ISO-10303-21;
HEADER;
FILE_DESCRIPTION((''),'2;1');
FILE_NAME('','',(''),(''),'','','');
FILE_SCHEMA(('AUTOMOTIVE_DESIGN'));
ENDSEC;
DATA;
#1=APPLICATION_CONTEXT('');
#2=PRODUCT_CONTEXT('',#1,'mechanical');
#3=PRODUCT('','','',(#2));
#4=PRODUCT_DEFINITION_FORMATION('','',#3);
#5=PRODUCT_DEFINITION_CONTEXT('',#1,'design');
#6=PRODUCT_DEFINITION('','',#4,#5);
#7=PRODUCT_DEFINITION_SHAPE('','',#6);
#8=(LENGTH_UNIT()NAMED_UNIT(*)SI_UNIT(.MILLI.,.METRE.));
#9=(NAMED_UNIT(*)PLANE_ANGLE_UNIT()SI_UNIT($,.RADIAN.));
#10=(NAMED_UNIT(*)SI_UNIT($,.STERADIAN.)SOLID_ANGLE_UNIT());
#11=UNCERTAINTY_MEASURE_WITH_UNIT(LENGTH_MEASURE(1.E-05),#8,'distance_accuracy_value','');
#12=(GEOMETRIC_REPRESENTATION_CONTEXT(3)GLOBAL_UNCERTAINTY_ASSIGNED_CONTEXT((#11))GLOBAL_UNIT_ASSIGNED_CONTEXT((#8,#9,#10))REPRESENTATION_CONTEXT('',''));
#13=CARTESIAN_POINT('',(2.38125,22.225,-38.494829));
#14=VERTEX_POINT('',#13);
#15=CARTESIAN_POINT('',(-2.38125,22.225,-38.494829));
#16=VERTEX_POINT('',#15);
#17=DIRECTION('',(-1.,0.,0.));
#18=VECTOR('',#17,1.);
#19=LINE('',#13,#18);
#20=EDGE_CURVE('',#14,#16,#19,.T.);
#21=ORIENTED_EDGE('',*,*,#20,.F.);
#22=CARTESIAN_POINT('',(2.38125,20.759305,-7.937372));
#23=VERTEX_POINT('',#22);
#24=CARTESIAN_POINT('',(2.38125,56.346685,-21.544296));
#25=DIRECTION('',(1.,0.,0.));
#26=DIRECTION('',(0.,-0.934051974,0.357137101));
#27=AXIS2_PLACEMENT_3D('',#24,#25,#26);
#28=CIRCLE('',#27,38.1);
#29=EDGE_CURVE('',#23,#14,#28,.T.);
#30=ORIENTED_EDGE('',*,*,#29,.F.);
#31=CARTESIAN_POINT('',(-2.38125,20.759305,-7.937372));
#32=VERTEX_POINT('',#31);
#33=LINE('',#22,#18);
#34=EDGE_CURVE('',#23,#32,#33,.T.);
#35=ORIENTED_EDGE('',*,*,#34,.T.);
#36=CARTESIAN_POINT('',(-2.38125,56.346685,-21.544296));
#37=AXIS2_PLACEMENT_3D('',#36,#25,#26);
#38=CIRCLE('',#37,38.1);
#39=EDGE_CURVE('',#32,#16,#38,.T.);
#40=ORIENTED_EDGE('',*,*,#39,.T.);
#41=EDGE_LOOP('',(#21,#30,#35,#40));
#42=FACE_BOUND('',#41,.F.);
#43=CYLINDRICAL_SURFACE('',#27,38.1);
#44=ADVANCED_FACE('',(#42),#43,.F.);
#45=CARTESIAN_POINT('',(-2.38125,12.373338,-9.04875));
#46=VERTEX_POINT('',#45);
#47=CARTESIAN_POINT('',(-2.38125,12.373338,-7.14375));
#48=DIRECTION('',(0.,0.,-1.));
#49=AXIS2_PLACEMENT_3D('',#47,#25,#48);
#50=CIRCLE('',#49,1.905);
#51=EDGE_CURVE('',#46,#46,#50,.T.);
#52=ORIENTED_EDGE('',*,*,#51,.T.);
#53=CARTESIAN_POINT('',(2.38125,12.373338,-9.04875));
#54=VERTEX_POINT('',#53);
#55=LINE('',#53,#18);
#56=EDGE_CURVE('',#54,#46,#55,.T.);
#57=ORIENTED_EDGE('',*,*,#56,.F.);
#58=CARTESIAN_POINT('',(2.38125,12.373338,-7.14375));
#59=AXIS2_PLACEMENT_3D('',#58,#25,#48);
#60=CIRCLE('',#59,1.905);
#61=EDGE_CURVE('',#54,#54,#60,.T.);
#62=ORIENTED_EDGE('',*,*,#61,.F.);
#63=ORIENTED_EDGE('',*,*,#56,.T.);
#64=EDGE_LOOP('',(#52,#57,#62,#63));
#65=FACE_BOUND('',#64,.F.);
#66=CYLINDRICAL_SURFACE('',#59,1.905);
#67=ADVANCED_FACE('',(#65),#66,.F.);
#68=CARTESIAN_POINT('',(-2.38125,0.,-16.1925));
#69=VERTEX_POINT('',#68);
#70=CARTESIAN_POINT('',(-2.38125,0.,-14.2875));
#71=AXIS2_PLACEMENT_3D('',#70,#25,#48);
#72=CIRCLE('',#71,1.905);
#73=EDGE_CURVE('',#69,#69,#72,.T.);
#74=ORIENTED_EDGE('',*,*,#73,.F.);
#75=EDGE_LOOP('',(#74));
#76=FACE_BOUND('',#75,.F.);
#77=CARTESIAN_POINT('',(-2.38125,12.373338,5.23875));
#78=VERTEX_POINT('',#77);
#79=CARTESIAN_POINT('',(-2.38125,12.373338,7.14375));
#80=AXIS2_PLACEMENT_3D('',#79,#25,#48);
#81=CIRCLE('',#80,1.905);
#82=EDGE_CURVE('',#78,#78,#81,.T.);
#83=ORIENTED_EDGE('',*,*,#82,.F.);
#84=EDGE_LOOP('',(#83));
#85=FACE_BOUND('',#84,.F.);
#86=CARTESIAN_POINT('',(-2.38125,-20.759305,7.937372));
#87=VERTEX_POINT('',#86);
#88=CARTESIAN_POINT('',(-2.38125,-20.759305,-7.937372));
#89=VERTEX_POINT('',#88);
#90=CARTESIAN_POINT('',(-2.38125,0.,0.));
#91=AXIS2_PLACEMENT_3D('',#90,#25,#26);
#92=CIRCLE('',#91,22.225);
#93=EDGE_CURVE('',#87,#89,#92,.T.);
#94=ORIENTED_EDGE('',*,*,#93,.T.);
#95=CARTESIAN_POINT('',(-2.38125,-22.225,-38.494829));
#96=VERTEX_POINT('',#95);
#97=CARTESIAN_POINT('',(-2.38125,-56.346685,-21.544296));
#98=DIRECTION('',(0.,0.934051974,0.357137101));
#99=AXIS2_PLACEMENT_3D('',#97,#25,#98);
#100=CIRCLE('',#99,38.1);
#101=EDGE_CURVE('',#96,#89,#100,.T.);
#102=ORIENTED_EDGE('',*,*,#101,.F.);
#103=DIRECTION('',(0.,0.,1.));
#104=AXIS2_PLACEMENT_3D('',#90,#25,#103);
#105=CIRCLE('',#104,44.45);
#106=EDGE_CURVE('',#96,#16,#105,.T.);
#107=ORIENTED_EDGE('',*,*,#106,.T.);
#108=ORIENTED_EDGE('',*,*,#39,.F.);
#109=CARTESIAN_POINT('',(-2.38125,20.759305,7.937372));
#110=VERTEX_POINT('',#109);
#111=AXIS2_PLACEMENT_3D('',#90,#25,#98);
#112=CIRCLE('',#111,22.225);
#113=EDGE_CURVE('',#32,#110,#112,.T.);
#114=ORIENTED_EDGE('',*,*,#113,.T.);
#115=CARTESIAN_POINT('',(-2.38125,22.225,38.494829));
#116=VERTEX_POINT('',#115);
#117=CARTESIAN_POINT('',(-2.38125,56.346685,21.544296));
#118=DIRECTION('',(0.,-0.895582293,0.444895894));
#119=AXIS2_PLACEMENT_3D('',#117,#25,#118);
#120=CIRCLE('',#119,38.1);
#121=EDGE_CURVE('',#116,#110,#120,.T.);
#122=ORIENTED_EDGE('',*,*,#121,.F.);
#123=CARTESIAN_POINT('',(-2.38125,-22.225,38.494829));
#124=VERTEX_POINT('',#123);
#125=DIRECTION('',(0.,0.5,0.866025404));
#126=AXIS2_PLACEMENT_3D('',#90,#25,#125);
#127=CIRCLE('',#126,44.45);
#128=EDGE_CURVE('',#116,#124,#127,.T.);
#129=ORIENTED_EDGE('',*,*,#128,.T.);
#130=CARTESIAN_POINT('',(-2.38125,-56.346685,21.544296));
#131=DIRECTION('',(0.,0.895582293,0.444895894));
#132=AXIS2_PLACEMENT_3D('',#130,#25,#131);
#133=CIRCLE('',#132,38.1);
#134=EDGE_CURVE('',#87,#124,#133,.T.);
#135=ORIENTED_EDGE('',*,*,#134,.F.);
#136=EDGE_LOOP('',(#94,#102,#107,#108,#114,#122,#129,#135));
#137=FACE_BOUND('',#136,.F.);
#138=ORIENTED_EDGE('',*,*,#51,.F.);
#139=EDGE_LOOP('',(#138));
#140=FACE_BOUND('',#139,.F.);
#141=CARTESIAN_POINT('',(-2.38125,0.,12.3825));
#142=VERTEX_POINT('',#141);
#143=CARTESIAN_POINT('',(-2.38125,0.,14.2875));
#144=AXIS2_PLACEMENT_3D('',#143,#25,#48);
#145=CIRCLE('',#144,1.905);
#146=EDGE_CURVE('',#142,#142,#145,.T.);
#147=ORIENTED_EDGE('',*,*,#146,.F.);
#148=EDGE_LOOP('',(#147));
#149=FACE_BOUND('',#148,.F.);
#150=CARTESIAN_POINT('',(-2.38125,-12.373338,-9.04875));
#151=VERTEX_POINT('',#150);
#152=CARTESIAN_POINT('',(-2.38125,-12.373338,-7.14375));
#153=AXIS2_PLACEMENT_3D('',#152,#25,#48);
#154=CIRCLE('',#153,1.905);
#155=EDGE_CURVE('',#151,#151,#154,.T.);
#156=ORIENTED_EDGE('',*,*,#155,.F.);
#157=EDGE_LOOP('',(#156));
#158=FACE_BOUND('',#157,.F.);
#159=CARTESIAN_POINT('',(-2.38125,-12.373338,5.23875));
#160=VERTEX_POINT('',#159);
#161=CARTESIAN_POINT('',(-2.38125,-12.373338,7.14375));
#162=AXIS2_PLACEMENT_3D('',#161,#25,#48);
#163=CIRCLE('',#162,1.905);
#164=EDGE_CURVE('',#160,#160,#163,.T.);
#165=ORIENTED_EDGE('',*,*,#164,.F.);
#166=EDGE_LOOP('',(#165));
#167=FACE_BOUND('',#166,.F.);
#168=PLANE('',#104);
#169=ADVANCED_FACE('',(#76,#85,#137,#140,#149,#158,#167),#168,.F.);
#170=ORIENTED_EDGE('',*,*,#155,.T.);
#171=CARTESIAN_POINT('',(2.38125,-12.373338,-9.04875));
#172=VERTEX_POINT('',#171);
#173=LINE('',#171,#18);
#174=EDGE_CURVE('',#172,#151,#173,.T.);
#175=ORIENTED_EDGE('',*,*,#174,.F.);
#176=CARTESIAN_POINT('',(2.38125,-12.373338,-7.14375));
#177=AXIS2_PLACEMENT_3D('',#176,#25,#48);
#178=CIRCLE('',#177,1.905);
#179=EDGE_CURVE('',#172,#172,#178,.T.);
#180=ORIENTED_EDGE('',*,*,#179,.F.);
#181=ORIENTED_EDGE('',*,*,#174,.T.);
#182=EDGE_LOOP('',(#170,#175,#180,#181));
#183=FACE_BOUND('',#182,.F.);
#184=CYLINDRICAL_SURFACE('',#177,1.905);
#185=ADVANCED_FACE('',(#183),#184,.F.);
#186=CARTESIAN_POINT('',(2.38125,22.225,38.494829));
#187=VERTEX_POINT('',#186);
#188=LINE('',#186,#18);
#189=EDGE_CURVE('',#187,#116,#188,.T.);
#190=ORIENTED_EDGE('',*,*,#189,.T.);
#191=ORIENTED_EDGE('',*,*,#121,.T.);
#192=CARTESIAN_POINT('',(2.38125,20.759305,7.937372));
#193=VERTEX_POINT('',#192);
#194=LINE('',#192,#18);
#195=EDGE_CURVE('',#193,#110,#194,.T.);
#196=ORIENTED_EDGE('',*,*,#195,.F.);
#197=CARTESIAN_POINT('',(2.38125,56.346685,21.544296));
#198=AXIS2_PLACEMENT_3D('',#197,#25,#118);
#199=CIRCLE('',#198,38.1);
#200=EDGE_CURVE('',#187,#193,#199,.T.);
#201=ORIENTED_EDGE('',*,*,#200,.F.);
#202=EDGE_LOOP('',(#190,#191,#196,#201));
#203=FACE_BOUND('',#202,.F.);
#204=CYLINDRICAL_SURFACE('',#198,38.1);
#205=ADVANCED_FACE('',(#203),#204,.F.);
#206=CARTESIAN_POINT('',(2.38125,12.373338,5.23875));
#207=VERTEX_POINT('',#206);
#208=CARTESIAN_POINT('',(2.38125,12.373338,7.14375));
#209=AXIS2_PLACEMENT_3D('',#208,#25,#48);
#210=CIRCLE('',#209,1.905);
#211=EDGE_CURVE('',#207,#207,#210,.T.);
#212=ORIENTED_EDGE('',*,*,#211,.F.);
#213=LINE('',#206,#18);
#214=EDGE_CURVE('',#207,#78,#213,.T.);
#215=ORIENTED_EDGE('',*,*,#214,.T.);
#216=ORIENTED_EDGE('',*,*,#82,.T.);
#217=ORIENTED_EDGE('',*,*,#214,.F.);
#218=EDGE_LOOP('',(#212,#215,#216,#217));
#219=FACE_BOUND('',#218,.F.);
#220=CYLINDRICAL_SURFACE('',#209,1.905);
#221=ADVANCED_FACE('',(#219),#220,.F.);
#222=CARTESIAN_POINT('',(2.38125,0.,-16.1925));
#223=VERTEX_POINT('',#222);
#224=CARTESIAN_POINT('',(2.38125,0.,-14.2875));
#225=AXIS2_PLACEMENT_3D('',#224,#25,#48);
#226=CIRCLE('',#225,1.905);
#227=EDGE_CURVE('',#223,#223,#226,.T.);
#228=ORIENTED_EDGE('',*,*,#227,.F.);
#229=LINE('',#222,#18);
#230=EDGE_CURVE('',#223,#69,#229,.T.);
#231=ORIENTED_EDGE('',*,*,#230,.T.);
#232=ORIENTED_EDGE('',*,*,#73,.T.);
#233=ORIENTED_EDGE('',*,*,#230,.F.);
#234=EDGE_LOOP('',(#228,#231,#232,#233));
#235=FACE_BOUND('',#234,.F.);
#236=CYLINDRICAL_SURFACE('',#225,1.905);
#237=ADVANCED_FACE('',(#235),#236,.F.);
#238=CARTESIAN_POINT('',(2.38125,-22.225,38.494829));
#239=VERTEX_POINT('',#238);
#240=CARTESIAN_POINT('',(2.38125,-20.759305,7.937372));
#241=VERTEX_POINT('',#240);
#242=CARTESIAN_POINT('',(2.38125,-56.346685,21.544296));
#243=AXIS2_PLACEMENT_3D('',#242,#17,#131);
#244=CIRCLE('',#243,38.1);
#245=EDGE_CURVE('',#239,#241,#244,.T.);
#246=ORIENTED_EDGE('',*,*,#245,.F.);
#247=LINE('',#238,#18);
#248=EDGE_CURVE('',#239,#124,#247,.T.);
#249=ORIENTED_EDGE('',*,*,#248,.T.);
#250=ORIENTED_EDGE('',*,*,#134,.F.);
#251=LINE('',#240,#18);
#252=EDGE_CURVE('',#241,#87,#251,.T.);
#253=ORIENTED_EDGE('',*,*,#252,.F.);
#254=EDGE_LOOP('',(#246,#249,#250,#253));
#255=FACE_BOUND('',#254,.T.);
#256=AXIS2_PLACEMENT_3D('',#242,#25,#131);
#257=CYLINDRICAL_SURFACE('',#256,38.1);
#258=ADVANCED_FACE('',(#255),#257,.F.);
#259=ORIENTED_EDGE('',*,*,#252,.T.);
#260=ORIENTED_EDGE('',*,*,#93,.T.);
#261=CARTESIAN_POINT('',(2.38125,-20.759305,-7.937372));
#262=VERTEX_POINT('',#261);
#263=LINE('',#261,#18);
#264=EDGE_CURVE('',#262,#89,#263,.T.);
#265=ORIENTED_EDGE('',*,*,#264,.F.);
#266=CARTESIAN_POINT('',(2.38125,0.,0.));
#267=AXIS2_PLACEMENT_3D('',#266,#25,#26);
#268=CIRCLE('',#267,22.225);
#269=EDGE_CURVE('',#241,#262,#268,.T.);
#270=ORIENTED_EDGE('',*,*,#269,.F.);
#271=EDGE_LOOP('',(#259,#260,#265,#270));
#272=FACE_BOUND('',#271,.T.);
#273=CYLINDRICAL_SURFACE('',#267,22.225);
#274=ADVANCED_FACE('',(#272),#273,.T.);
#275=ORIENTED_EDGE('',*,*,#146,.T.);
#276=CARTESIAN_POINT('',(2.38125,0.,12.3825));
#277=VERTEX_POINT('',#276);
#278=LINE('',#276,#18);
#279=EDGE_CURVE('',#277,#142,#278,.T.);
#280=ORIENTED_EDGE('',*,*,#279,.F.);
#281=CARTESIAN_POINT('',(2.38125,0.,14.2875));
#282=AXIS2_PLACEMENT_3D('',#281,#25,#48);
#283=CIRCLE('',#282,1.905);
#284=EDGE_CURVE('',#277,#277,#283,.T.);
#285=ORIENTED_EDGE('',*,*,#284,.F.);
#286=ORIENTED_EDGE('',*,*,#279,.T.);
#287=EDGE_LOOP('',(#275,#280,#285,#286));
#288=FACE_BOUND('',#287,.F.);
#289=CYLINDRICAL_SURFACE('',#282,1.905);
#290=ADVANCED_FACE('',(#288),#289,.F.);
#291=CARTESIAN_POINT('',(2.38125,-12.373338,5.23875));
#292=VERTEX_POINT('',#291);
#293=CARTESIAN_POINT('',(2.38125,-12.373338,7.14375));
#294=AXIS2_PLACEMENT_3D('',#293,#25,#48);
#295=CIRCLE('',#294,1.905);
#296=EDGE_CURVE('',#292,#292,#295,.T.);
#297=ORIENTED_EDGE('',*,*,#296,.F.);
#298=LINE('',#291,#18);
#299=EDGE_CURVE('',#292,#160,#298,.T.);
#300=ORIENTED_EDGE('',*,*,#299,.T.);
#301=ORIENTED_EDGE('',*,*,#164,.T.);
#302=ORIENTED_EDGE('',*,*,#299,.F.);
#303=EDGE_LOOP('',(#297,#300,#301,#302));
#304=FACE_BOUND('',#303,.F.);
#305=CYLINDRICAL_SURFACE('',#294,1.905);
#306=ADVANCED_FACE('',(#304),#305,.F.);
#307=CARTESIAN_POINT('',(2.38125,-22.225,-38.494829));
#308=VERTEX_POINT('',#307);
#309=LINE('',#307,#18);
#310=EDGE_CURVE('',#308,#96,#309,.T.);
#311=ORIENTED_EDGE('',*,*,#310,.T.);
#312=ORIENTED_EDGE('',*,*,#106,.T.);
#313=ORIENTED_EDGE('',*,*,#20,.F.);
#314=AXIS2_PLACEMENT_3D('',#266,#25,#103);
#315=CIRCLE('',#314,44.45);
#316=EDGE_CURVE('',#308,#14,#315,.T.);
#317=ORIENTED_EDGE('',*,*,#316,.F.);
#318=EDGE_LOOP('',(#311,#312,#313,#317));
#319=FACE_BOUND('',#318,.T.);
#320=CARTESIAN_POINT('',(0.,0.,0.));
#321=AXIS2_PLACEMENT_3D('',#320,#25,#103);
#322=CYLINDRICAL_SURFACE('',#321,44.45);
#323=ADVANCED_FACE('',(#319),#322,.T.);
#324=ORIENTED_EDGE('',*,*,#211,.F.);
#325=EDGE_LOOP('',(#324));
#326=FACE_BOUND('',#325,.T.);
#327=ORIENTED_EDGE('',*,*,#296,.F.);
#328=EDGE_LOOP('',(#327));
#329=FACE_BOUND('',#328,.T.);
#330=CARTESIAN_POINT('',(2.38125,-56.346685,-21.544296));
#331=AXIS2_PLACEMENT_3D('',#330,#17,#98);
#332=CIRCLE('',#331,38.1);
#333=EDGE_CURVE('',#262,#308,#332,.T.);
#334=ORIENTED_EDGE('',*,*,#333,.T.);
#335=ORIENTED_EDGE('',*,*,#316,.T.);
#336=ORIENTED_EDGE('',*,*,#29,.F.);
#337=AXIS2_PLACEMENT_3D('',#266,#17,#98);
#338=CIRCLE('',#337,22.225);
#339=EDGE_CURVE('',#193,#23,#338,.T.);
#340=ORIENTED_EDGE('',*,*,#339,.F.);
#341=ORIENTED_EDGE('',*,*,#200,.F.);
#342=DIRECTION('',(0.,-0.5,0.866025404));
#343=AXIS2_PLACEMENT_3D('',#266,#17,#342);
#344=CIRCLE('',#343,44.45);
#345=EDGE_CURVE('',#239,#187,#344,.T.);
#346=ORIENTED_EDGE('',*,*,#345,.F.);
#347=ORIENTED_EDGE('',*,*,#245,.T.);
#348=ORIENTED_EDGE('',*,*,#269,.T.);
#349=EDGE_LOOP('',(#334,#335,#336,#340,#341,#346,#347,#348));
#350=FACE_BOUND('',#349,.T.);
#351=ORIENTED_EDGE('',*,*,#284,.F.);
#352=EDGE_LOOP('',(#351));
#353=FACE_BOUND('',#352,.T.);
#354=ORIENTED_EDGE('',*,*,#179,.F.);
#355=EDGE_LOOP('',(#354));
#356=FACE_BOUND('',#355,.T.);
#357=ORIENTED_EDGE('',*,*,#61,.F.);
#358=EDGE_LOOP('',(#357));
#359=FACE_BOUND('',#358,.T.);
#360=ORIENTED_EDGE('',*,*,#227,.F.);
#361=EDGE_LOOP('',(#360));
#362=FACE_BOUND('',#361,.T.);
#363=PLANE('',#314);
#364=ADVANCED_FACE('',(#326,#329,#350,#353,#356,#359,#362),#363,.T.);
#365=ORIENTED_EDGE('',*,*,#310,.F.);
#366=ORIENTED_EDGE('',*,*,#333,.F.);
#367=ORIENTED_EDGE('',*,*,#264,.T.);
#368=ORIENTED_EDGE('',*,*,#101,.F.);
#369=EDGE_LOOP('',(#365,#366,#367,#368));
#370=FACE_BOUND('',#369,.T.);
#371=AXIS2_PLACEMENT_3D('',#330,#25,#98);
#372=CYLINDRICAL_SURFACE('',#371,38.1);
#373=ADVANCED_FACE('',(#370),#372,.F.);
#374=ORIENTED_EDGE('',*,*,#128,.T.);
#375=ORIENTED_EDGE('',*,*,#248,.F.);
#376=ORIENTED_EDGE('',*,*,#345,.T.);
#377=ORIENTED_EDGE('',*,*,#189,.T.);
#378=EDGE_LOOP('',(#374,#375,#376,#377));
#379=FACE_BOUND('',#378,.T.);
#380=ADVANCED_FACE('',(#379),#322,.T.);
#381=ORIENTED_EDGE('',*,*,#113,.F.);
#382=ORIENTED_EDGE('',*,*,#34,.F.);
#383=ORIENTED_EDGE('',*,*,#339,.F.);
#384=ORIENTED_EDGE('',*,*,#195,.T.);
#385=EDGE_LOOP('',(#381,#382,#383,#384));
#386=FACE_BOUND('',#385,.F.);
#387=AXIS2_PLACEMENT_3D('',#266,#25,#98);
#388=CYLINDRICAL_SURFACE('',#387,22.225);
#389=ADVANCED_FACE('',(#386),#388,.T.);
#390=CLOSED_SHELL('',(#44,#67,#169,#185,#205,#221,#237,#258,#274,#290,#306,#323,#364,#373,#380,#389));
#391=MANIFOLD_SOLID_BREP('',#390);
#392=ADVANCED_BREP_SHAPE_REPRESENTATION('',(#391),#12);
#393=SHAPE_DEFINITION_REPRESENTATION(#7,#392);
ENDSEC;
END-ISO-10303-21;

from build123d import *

# Parameters (mm, degrees)
SKETCH1_R            = 44.45
BOSS_EXTRUDE1_DEPTH  = 2.38125
CUT_EXTRUDE1_DEPTH   = 64.041941644
SKETCH3_R            = 1.905
MOUNTING_HOLES_DEPTH = 50.924287989


with BuildPart() as part:
    # Sketch1 → Boss-Extrude1 (new, symmetric)
    with BuildSketch(Plane(origin=(0, 0, 0), x_dir=(0, 0, -1), z_dir=(1, 0, 0))):
        with Locations(Location((0, 0, 0), (0, 0, 180))):
            Circle(SKETCH1_R)
    extrude(amount=BOSS_EXTRUDE1_DEPTH, both=True)

    # Sketch2 → Cut-Extrude1 (cut, through all)
    with BuildSketch(Plane(origin=(2.38125, 0, 0), x_dir=(0, 0, -1), z_dir=(1, 0, 0))):
        with BuildLine():
            ThreePointArc((-7.937372074, -20.759305132), (0, -22.225), (7.937372074, -20.759305132))
            ThreePointArc((7.937372074, -20.759305132), (23.369671575, -18.290437479), (38.494829198, -22.225))
            ThreePointArc((38.494829198, -22.225), (0, -44.45), (-38.494829198, -22.225))
            ThreePointArc((-38.494829198, -22.225), (-23.369671575, -18.290437479), (-7.937372074, -20.759305132))
        make_face()
        with BuildLine():
            ThreePointArc((-38.494829198, 22.225), (-23.369671575, 18.290437479), (-7.937372074, 20.759305132))
            ThreePointArc((-7.937372074, 20.759305132), (0, 22.225), (7.937372074, 20.759305132))
            ThreePointArc((7.937372074, 20.759305132), (23.369671575, 18.290437479), (38.494829198, 22.225))
            ThreePointArc((38.494829198, 22.225), (0, 44.45), (-38.494829198, 22.225))
        make_face()
    extrude(amount=-CUT_EXTRUDE1_DEPTH, mode=Mode.SUBTRACT)

    # Sketch3 → Mounting holes (cut, through all)
    with BuildSketch(Plane(origin=(2.38125, 0, 0), x_dir=(0, 0, -1), z_dir=(1, 0, 0))):
        with Locations((-14.2875, 0)):
            Circle(SKETCH3_R)
        with Locations((-7.14375, 12.373337957)):
            Circle(SKETCH3_R)
        with Locations((7.14375, 12.373337957)):
            Circle(SKETCH3_R)
        with Locations((14.2875, 0)):
            Circle(SKETCH3_R)
        with Locations((7.14375, -12.373337957)):
            Circle(SKETCH3_R)
        with Locations((-7.14375, -12.373337957)):
            Circle(SKETCH3_R)
    extrude(amount=-MOUNTING_HOLES_DEPTH, mode=Mode.SUBTRACT)


solid = part.part
